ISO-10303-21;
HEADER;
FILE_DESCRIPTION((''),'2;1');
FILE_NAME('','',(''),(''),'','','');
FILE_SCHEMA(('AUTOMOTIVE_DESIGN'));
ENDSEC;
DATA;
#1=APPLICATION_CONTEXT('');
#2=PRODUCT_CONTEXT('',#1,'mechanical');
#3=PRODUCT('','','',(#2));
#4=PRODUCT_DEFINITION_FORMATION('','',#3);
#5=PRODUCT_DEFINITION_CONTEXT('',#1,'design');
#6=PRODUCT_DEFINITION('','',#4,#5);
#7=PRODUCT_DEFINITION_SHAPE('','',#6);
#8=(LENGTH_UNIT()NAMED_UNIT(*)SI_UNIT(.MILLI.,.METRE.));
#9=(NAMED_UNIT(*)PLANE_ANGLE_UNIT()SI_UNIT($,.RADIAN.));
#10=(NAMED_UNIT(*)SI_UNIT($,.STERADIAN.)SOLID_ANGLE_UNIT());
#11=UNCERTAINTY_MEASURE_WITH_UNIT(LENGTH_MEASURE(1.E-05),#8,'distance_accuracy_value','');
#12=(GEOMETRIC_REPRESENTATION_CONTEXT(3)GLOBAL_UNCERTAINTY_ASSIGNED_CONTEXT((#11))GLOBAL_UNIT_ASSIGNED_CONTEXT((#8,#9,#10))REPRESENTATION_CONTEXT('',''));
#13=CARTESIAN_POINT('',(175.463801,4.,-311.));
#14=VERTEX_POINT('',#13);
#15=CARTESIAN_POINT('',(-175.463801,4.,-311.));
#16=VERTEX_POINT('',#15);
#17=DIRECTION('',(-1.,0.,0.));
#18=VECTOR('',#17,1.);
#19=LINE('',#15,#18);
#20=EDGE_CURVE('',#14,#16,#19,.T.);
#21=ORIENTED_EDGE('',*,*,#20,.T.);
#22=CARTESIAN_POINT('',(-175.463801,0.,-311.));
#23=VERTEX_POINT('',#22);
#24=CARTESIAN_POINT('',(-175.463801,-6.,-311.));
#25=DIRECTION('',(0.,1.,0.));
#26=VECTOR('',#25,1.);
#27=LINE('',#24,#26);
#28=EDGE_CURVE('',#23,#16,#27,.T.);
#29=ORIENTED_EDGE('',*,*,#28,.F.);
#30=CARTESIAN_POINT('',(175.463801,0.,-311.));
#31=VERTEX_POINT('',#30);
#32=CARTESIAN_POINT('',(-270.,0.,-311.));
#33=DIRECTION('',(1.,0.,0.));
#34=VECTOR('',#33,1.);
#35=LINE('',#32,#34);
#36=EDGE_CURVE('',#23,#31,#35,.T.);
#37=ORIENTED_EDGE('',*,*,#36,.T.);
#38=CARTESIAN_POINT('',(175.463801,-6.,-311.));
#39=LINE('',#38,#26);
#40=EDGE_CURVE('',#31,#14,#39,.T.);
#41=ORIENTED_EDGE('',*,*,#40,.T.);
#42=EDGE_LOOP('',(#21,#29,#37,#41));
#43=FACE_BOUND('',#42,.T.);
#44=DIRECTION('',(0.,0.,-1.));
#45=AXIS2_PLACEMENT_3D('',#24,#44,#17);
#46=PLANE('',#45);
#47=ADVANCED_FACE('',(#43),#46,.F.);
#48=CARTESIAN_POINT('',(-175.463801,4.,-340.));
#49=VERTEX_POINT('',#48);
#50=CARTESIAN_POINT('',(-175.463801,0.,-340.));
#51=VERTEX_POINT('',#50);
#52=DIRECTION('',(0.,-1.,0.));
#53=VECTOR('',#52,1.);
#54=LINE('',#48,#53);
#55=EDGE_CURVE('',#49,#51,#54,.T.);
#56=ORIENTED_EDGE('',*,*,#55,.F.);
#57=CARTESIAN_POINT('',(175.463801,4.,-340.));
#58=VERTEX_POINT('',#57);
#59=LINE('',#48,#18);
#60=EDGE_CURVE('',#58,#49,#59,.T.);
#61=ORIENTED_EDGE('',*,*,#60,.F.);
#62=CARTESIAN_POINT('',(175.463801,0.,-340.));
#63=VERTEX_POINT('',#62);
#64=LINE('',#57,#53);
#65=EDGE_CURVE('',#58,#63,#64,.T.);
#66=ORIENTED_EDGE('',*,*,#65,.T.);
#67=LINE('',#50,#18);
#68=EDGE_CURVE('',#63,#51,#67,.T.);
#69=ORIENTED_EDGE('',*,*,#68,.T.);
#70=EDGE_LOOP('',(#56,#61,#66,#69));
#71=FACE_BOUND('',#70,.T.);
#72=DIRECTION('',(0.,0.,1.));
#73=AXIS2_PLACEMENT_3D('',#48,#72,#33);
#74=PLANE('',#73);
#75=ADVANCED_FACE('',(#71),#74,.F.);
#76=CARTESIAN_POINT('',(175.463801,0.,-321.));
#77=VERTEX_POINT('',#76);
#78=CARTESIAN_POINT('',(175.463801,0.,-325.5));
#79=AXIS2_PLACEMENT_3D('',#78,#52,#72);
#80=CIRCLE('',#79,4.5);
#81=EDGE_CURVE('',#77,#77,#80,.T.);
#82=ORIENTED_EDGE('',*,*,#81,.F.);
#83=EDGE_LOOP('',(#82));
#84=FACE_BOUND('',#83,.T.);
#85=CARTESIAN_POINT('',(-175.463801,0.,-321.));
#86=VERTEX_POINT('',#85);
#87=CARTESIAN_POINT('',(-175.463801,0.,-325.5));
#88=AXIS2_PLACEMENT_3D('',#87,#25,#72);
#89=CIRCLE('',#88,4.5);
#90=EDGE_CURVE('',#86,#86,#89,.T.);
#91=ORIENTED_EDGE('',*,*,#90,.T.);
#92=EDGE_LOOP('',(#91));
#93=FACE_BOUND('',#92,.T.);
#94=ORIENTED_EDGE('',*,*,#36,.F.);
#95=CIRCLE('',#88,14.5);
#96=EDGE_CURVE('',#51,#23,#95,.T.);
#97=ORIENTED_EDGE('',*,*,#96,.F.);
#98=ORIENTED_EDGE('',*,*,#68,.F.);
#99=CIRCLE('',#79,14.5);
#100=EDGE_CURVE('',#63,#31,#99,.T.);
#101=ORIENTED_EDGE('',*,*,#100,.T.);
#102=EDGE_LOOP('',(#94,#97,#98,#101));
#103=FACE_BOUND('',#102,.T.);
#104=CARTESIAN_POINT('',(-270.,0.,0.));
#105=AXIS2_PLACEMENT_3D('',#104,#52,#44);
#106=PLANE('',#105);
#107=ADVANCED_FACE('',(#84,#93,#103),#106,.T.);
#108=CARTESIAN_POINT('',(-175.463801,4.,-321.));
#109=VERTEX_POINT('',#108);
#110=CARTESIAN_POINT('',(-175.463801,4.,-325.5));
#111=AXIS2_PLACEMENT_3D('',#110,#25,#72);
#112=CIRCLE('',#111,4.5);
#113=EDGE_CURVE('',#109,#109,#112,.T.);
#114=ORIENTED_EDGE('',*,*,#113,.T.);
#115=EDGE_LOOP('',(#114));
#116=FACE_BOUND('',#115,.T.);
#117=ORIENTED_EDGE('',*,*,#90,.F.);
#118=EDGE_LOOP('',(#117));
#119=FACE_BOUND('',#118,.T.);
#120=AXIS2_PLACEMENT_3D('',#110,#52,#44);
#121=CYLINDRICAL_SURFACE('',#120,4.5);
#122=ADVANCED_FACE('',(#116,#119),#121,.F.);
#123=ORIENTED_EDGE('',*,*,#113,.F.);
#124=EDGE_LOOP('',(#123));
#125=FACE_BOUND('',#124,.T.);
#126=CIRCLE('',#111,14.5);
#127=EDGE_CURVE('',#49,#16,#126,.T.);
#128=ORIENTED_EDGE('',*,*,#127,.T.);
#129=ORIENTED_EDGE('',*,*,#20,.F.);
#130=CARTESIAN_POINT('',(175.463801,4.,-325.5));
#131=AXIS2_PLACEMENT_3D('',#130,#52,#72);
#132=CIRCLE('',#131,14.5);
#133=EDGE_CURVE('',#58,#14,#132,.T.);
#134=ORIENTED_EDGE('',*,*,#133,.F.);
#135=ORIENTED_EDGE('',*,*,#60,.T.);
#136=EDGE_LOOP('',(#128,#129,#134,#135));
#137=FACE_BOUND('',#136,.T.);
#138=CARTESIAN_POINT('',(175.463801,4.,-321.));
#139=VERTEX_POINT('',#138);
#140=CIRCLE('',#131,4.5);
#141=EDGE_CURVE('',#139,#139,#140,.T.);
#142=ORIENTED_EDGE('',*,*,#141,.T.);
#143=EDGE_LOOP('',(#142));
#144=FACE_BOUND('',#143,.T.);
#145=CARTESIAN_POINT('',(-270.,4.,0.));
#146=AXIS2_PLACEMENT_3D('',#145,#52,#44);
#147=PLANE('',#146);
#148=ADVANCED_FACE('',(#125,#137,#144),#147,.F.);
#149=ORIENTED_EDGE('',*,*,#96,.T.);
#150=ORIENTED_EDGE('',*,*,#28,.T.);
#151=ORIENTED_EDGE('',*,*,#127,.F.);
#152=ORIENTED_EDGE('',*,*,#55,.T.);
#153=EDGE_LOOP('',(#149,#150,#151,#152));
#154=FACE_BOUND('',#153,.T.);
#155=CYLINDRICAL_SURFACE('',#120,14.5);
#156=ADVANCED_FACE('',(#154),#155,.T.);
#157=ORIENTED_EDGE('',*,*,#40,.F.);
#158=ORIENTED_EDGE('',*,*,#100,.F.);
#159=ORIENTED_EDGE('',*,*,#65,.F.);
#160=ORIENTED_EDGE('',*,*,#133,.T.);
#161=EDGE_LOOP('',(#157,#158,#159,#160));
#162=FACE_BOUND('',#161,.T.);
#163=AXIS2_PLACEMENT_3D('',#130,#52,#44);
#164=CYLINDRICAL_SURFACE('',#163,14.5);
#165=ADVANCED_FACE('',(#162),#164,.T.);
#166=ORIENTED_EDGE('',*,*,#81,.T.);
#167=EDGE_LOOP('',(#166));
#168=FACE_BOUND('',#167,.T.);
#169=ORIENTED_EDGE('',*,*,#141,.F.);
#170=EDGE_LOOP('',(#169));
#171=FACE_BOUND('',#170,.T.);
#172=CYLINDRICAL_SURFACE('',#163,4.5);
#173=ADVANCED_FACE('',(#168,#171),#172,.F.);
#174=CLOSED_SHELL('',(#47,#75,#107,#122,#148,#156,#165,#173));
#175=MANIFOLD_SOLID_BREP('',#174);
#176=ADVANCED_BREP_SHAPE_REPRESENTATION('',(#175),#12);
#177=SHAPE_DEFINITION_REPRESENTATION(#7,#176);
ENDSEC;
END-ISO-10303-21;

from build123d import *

# Parameters (mm, degrees)
SKETCH1_R           = 4.5
SKETCH1_R_2         = 6.5
SKETCH1_R_3         = 1.75
BOSS_EXTRUDE1_DEPTH = 4
SKETCH2_R           = 2
CUT_EXTRUDE1_DEPTH  = 4
SKETCH3_R           = 2
CUT_EXTRUDE2_DEPTH  = 10
CUT_EXTRUDE3_START  = -10
CUT_EXTRUDE3_DEPTH  = 10


with BuildPart() as part:
    # Sketch1 → Boss-Extrude1 (new body)
    with BuildSketch(Plane(origin=(0, 0, 0), x_dir=(1, 0, 0), z_dir=(0, 1, 0))):
        with BuildLine():
            Line((-270, -14.5), (0, -14.5))
            Line((0, -14.5), (0, 340))
            Line((0, 340), (-175.463800793, 340))
            ThreePointArc((-175.463800793, 340), (-185.71684912, 335.753048327), (-189.963800793, 325.5))
            Line((-189.963800793, 325.5), (-189.963800793, 225.606590828))
            ThreePointArc((-189.963800793, 225.606590828), (-204.963800793, 210.606590828), (-189.963800793, 195.606590828))
            Line((-189.963800793, 195.606590828), (-189.963800793, 54.5))
            Line((-189.963800793, 54.5), (-229.963800793, 14.5))
            Line((-229.963800793, 14.5), (-270, 14.5))
            ThreePointArc((-270, 14.5), (-284.5, 0), (-270, -14.5))
        make_face()
        with Locations(Location((-270, 0, 0), (0, 0, 270))):
            Circle(SKETCH1_R, mode=Mode.SUBTRACT)
        with Locations(Location((-175.463800793, 325.5, 0), (0, 0, 270))):
            Circle(SKETCH1_R, mode=Mode.SUBTRACT)
        with Locations(Location((-189.963800793, 210.606590828, 0), (0, 0, 270))):
            Circle(SKETCH1_R_2, mode=Mode.SUBTRACT)
        with Locations(Location((-180.213800793, 210.606590828, 0), (0, 0, 270))):
            Circle(SKETCH1_R_3, mode=Mode.SUBTRACT)
        with Locations(Location((-189.963800793, 220.406590828, 0), (0, 0, 270))):
            Circle(SKETCH1_R_3, mode=Mode.SUBTRACT)
        with Locations(Location((-189.963800793, 200.806590828, 0), (0, 0, 270))):
            Circle(SKETCH1_R_3, mode=Mode.SUBTRACT)
        with Locations(Location((-199.713800793, 210.606590828, 0), (0, 0, 270))):
            Circle(SKETCH1_R_3, mode=Mode.SUBTRACT)
    boss_extrude1 = extrude(amount=BOSS_EXTRUDE1_DEPTH)

    # Mirror1: Boss-Extrude1 across plane
    add(boss_extrude1.mirror(Plane(origin=(0, 4, -340), x_dir=(0, 0, 1), z_dir=(-1, 0, 0))))

    # Sketch2 → Cut-Extrude1 (cut)
    with BuildSketch(Plane(origin=(0, 4, 0), x_dir=(1, 0, 0), z_dir=(0, 1, 0))):
        with Locations(Location((0, 305.5, 0), (0, 0, 270))):
            Circle(SKETCH2_R)
    extrude(amount=-CUT_EXTRUDE1_DEPTH, mode=Mode.SUBTRACT)

    # Sketch3 → Cut-Extrude2 (cut)
    with BuildSketch(Plane(origin=(0, 4, 0), x_dir=(1, 0, 0), z_dir=(0, 1, 0))):
        with Locations(Location((-170, 15.5, 0), (0, 0, 270))):
            Circle(SKETCH3_R)
        with Locations(Location((170, 15.5, 0), (0, 0, 270))):
            Circle(SKETCH3_R)
    extrude(amount=-CUT_EXTRUDE2_DEPTH, mode=Mode.SUBTRACT)

    # Sketch4 → Cut-Extrude3 (cut)
    with BuildSketch(Plane(origin=(0, 4, 0), x_dir=(1, 0, 0), z_dir=(0, 1, 0)).offset(CUT_EXTRUDE3_START)):
        with BuildLine():
            Line((-175.463800793, 311), (175.463800793, 311))
            ThreePointArc((175.463800793, 311), (185.71684912, 315.246951673), (189.963800793, 325.5))
            Line((189.963800793, 325.5), (382.257646385, 325.5))
            Line((382.257646385, 325.5), (382.257646385, -89.216188956))
            Line((382.257646385, -89.216188956), (-350.501872642, -89.216188956))
            Line((-350.501872642, -89.216188956), (-350.501872642, 325.5))
            Line((-350.501872642, 325.5), (-189.963800793, 325.5))
            ThreePointArc((-189.963800793, 325.5), (-185.71684912, 315.246951673), (-175.463800793, 311))
        make_face()
    extrude(amount=CUT_EXTRUDE3_DEPTH, mode=Mode.SUBTRACT)


solid = part.part
